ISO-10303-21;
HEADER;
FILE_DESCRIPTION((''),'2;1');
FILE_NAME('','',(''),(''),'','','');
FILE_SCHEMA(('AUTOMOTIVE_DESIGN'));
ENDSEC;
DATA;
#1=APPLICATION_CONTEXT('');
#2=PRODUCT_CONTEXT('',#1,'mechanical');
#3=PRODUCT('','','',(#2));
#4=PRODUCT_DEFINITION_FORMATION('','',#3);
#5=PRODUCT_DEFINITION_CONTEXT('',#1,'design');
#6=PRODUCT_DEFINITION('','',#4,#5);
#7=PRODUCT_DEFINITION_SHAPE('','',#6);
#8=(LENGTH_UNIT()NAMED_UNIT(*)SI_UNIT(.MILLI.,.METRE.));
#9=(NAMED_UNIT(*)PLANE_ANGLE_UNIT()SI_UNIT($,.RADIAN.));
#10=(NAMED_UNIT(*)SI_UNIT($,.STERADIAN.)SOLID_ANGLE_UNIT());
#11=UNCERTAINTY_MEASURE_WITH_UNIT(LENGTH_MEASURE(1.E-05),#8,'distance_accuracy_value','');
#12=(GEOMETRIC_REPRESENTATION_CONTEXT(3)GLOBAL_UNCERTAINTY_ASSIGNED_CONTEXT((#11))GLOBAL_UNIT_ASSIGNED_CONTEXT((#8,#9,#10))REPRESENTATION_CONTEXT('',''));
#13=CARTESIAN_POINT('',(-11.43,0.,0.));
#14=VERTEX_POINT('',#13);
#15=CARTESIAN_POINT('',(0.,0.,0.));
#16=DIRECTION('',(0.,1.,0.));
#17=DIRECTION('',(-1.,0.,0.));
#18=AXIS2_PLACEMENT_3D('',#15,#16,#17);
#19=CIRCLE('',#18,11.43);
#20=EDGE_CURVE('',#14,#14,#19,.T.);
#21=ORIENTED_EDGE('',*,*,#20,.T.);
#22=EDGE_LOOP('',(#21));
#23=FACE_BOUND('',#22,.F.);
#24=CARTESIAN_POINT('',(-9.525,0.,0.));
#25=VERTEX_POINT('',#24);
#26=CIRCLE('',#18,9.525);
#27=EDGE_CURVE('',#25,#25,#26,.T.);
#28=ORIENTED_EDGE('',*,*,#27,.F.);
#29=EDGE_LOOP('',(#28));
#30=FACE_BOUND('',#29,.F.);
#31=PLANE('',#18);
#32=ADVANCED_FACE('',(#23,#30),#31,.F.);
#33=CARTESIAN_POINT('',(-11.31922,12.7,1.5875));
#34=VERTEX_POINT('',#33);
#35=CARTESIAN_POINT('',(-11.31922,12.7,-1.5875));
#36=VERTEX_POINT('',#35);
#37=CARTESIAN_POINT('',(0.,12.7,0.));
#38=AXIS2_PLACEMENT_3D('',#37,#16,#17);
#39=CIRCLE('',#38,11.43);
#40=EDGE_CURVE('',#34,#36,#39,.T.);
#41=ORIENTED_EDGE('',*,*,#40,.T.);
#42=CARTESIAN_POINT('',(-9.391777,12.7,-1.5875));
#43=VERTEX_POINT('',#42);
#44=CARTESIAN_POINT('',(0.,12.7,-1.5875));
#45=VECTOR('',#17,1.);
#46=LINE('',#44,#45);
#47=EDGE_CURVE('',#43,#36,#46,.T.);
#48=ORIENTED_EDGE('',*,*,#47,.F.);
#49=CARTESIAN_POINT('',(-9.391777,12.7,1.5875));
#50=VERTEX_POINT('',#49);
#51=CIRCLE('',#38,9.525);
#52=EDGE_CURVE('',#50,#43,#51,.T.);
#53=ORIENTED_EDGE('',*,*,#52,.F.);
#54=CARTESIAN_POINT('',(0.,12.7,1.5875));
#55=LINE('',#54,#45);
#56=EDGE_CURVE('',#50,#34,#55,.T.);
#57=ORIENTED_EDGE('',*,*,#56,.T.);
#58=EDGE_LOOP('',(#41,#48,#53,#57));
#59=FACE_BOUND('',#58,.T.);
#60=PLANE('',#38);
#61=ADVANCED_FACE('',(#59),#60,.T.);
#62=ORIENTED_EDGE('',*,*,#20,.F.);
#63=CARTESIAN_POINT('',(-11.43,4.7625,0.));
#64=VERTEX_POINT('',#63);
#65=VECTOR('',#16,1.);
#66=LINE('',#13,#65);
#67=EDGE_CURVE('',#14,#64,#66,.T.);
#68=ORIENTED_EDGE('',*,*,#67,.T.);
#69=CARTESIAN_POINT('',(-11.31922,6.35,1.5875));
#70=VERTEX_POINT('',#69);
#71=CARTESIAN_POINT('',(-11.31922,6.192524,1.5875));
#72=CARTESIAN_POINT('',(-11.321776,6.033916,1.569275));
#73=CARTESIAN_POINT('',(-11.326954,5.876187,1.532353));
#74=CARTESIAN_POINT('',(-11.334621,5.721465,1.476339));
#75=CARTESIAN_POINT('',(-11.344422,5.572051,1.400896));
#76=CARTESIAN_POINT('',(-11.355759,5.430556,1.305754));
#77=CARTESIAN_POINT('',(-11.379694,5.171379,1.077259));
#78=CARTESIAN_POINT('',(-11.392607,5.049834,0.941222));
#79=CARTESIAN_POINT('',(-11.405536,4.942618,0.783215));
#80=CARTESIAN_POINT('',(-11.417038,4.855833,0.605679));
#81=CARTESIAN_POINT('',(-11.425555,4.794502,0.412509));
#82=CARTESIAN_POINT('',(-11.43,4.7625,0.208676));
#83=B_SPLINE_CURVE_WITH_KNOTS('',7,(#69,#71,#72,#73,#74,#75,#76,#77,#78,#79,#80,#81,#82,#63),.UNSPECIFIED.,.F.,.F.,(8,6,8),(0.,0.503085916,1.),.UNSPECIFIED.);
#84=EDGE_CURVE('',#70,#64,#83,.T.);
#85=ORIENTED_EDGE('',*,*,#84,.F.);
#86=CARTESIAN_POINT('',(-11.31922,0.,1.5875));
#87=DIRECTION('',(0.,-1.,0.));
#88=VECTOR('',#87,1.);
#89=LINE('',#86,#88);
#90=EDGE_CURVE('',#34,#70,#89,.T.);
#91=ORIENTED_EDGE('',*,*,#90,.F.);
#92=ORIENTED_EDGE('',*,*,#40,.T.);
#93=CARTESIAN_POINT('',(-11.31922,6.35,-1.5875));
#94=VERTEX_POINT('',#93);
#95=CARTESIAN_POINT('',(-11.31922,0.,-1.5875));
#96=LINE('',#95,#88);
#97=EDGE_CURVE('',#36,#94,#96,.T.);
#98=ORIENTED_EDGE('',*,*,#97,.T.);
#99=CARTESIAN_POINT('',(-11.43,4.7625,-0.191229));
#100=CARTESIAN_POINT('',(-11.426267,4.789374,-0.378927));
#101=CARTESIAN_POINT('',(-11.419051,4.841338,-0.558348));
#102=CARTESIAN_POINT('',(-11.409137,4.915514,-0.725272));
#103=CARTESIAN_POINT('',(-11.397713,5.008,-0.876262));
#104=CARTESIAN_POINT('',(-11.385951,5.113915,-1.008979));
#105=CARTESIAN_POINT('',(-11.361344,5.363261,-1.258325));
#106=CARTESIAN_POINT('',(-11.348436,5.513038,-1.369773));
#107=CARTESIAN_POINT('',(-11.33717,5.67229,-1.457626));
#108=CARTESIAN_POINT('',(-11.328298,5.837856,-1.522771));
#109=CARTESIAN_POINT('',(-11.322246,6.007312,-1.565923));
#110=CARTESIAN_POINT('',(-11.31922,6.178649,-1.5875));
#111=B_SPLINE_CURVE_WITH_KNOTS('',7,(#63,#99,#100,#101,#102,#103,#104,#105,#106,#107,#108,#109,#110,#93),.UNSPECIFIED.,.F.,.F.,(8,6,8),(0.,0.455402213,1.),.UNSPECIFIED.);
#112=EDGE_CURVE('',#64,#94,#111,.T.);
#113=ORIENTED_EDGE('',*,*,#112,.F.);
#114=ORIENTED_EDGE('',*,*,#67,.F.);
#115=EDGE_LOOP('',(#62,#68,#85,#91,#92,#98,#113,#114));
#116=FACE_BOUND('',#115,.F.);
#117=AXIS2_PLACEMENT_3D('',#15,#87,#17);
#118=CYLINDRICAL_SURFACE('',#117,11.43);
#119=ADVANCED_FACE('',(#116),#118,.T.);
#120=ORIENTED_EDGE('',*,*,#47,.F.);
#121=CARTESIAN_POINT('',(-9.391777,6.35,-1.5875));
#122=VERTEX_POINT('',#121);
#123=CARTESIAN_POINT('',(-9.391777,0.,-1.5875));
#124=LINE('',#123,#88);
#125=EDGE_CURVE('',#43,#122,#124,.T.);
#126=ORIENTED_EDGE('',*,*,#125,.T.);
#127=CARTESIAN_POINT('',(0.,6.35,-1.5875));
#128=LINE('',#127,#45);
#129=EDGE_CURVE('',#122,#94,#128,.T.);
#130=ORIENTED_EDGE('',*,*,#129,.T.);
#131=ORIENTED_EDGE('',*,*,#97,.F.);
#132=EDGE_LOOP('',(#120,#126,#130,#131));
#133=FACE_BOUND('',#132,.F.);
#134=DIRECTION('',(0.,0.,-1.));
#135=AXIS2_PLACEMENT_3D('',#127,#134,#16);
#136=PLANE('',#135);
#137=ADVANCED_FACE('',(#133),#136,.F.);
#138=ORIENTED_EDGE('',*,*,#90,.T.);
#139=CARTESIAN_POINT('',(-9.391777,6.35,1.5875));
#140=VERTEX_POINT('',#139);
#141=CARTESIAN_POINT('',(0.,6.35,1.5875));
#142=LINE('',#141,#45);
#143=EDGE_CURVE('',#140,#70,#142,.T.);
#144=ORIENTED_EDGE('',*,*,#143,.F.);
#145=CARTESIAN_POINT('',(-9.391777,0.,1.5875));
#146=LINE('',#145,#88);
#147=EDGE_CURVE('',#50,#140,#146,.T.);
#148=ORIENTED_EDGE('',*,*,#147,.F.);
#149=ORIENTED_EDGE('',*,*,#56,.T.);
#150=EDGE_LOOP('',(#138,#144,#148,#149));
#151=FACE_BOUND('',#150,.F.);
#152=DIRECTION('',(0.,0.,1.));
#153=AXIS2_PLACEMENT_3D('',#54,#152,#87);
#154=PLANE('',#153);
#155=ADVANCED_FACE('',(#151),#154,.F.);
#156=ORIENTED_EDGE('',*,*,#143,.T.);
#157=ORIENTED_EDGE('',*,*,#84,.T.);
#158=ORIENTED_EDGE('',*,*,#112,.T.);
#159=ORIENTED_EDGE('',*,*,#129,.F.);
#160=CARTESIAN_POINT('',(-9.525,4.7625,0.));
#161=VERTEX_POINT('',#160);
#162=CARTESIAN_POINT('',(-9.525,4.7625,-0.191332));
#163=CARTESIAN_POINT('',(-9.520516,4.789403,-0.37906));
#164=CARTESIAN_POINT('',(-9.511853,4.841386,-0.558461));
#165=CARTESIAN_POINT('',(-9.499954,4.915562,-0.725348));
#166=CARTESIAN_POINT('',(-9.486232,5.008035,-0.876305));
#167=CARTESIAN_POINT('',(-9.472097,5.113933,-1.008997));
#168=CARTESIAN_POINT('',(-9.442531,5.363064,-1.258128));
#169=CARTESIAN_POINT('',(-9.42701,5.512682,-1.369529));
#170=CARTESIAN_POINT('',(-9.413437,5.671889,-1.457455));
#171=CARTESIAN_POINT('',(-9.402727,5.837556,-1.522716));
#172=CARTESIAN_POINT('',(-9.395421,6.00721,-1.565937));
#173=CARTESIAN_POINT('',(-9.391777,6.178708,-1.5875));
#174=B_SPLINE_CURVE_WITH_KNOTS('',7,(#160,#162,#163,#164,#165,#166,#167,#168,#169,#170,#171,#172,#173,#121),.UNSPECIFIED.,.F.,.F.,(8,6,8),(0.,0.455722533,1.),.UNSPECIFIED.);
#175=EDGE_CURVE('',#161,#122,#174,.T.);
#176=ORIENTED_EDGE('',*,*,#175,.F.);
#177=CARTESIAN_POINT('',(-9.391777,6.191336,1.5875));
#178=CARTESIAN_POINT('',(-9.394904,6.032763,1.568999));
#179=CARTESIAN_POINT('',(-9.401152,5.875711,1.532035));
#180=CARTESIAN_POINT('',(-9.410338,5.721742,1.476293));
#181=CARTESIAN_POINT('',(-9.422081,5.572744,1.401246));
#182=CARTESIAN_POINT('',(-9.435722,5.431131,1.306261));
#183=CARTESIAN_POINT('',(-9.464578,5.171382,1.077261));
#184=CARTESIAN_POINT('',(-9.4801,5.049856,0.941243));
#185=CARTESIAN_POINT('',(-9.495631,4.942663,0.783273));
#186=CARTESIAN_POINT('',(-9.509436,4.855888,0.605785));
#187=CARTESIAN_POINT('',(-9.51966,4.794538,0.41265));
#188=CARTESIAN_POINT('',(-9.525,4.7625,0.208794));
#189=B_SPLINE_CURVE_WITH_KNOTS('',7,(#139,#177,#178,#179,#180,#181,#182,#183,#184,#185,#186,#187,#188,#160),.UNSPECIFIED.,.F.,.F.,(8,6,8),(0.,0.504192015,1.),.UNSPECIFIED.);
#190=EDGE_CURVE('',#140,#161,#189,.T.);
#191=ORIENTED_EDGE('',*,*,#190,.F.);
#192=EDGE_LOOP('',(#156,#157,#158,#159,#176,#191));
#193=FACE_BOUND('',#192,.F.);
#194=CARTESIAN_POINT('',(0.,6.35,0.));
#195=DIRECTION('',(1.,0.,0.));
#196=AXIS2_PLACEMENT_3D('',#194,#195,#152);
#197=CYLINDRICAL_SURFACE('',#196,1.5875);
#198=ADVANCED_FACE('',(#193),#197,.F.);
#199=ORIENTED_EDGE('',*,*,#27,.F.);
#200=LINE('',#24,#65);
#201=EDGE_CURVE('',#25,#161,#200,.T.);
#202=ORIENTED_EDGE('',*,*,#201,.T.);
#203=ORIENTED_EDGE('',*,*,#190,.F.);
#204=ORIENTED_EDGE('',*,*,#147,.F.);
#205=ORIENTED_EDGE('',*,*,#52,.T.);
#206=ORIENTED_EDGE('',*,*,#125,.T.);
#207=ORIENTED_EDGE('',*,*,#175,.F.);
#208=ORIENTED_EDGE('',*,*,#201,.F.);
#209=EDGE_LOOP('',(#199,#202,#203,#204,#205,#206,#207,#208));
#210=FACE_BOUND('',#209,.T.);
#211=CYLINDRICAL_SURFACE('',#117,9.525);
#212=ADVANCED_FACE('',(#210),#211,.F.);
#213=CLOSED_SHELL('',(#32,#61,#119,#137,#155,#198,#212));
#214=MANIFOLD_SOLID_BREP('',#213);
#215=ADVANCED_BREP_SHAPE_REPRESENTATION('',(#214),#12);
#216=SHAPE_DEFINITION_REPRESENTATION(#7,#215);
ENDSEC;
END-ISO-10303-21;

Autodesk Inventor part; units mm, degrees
ref_plane "YZ Plane" through (0, 0, 0) normal (1, 0, 0) x (0, 1, 0)
ref_plane "XZ Plane" through (0, 0, 0) normal (0, 1, 0) x (-1, 0, 0)
ref_plane "XY Plane" through (0, 0, 0) normal (0, 0, 1) x (1, 0, 0)
sketch "Sketch1" plane through (0, 0, 0) normal (0, 1, 0) x (-1, 0, 0)
  circle A0 centre (0, 0) radius 11.43
  circle A1 centre (0, 0) radius 9.525
  dimension "d0" = 19.05
  dimension "d1" = 22.86
extrude "Extrusion1" add sketch "Sketch1" along normal blind 12.7
sketch "Sketch2" plane through (0, 12.7, 0) normal (0, 1, 0) x (1, 0, 0)
  point P0 (0, 0)
sketch "Sketch3" plane through (0, 0, 0) normal (1, 0, 0) x (0, 1, 0)
  line L0 (12.7, -11.43) -> (12.7, 11.43) projected
  line L1 (12.7, 1.5875) -> (6.35, 1.5875)
  line L2 (6.35, -1.5875) -> (12.7, -1.5875)
  line L3 (12.7, 1.5875) -> (12.7, -1.5875)
  arc A0 (6.35, 1.5875) -> (6.35, -1.5875) centre (6.35, 0) ccw
  point P0 (0, 0)
  point P1 (9.525, -1.5875)
  point P2 (12.7, 0)
  dimension "d4" = 3.175
  dimension "d5" = 6.35
extrude "Extrusion2" cut sketch "Sketch3" against normal blind 12.7
properties part number "smallinsert1"
